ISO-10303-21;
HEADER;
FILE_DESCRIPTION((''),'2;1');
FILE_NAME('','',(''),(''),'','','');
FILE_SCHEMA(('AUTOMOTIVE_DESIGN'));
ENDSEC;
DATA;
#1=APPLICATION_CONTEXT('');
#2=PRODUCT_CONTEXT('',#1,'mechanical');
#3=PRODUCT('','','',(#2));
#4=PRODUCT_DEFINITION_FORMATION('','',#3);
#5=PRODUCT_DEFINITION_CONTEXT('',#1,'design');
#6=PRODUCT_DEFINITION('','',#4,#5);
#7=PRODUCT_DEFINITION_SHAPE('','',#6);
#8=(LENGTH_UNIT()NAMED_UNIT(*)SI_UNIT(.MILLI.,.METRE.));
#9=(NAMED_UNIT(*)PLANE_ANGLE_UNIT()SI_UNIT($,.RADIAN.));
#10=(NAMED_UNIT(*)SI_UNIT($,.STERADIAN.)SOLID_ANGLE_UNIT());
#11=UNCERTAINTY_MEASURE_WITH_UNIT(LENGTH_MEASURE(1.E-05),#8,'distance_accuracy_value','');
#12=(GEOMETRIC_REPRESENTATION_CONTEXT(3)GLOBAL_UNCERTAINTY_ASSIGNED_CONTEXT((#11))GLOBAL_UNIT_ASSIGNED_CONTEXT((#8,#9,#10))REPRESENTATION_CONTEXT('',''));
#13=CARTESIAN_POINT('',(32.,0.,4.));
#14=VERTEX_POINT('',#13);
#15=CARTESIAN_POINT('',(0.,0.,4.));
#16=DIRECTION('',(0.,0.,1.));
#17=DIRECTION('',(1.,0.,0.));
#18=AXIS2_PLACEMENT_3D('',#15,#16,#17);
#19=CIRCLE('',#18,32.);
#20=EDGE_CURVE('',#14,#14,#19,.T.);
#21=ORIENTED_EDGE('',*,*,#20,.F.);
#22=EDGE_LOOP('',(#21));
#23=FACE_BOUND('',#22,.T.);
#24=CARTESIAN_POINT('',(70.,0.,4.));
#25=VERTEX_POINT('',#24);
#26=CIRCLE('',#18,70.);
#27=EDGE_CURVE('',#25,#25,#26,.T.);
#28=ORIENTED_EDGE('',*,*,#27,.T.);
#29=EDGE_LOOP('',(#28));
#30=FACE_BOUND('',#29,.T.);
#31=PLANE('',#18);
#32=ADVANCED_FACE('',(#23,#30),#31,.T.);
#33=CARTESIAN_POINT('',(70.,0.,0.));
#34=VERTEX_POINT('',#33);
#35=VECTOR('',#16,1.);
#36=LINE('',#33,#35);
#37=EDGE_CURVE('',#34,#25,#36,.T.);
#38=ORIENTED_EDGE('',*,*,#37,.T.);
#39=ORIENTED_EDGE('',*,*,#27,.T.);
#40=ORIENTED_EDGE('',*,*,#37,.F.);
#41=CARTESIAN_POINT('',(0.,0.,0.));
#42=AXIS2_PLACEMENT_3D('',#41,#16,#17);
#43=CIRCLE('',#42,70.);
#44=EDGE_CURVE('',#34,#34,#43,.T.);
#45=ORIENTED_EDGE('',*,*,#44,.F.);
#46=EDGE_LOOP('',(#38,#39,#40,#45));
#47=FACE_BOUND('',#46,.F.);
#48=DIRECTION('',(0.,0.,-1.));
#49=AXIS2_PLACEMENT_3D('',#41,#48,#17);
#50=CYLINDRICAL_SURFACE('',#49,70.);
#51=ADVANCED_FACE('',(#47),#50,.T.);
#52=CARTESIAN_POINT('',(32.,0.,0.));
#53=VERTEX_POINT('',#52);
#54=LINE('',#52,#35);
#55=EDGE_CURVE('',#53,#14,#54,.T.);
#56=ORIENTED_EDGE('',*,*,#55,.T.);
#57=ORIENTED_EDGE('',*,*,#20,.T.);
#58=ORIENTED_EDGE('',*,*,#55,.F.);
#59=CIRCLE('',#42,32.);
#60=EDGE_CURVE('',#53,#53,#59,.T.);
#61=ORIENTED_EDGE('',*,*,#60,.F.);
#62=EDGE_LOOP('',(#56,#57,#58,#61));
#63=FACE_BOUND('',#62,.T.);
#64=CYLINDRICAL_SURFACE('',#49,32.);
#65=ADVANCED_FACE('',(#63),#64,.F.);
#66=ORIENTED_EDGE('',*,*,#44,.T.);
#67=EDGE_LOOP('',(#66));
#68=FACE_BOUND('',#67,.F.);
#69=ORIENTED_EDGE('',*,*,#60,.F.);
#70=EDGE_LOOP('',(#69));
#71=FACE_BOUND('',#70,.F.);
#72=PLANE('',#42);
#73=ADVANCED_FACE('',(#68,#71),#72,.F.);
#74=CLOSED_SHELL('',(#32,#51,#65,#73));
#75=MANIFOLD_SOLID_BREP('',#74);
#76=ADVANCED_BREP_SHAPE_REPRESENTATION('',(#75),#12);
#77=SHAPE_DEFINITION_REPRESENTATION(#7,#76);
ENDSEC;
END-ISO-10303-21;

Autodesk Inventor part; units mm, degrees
ref_plane "YZ Plane" through (0, 0, 0) normal (1, 0, 0) x (0, 1, 0)
ref_plane "XZ Plane" through (0, 0, 0) normal (0, 1, 0) x (-1, 0, 0)
ref_plane "XY Plane" through (0, 0, 0) normal (0, 0, 1) x (1, 0, 0)
sketch "Эскиз1" plane through (0, 0, 0) normal (0, 0, 1) x (1, 0, 0)
  circle A0 centre (0, 0) radius 70
  circle A1 centre (0, 0) radius 32
  dimension "d0" = 140
  dimension "d1" = 64
extrude "Выдавливание1" add sketch "Эскиз1" along normal blind 4
properties part number "Прокладка сальников"
